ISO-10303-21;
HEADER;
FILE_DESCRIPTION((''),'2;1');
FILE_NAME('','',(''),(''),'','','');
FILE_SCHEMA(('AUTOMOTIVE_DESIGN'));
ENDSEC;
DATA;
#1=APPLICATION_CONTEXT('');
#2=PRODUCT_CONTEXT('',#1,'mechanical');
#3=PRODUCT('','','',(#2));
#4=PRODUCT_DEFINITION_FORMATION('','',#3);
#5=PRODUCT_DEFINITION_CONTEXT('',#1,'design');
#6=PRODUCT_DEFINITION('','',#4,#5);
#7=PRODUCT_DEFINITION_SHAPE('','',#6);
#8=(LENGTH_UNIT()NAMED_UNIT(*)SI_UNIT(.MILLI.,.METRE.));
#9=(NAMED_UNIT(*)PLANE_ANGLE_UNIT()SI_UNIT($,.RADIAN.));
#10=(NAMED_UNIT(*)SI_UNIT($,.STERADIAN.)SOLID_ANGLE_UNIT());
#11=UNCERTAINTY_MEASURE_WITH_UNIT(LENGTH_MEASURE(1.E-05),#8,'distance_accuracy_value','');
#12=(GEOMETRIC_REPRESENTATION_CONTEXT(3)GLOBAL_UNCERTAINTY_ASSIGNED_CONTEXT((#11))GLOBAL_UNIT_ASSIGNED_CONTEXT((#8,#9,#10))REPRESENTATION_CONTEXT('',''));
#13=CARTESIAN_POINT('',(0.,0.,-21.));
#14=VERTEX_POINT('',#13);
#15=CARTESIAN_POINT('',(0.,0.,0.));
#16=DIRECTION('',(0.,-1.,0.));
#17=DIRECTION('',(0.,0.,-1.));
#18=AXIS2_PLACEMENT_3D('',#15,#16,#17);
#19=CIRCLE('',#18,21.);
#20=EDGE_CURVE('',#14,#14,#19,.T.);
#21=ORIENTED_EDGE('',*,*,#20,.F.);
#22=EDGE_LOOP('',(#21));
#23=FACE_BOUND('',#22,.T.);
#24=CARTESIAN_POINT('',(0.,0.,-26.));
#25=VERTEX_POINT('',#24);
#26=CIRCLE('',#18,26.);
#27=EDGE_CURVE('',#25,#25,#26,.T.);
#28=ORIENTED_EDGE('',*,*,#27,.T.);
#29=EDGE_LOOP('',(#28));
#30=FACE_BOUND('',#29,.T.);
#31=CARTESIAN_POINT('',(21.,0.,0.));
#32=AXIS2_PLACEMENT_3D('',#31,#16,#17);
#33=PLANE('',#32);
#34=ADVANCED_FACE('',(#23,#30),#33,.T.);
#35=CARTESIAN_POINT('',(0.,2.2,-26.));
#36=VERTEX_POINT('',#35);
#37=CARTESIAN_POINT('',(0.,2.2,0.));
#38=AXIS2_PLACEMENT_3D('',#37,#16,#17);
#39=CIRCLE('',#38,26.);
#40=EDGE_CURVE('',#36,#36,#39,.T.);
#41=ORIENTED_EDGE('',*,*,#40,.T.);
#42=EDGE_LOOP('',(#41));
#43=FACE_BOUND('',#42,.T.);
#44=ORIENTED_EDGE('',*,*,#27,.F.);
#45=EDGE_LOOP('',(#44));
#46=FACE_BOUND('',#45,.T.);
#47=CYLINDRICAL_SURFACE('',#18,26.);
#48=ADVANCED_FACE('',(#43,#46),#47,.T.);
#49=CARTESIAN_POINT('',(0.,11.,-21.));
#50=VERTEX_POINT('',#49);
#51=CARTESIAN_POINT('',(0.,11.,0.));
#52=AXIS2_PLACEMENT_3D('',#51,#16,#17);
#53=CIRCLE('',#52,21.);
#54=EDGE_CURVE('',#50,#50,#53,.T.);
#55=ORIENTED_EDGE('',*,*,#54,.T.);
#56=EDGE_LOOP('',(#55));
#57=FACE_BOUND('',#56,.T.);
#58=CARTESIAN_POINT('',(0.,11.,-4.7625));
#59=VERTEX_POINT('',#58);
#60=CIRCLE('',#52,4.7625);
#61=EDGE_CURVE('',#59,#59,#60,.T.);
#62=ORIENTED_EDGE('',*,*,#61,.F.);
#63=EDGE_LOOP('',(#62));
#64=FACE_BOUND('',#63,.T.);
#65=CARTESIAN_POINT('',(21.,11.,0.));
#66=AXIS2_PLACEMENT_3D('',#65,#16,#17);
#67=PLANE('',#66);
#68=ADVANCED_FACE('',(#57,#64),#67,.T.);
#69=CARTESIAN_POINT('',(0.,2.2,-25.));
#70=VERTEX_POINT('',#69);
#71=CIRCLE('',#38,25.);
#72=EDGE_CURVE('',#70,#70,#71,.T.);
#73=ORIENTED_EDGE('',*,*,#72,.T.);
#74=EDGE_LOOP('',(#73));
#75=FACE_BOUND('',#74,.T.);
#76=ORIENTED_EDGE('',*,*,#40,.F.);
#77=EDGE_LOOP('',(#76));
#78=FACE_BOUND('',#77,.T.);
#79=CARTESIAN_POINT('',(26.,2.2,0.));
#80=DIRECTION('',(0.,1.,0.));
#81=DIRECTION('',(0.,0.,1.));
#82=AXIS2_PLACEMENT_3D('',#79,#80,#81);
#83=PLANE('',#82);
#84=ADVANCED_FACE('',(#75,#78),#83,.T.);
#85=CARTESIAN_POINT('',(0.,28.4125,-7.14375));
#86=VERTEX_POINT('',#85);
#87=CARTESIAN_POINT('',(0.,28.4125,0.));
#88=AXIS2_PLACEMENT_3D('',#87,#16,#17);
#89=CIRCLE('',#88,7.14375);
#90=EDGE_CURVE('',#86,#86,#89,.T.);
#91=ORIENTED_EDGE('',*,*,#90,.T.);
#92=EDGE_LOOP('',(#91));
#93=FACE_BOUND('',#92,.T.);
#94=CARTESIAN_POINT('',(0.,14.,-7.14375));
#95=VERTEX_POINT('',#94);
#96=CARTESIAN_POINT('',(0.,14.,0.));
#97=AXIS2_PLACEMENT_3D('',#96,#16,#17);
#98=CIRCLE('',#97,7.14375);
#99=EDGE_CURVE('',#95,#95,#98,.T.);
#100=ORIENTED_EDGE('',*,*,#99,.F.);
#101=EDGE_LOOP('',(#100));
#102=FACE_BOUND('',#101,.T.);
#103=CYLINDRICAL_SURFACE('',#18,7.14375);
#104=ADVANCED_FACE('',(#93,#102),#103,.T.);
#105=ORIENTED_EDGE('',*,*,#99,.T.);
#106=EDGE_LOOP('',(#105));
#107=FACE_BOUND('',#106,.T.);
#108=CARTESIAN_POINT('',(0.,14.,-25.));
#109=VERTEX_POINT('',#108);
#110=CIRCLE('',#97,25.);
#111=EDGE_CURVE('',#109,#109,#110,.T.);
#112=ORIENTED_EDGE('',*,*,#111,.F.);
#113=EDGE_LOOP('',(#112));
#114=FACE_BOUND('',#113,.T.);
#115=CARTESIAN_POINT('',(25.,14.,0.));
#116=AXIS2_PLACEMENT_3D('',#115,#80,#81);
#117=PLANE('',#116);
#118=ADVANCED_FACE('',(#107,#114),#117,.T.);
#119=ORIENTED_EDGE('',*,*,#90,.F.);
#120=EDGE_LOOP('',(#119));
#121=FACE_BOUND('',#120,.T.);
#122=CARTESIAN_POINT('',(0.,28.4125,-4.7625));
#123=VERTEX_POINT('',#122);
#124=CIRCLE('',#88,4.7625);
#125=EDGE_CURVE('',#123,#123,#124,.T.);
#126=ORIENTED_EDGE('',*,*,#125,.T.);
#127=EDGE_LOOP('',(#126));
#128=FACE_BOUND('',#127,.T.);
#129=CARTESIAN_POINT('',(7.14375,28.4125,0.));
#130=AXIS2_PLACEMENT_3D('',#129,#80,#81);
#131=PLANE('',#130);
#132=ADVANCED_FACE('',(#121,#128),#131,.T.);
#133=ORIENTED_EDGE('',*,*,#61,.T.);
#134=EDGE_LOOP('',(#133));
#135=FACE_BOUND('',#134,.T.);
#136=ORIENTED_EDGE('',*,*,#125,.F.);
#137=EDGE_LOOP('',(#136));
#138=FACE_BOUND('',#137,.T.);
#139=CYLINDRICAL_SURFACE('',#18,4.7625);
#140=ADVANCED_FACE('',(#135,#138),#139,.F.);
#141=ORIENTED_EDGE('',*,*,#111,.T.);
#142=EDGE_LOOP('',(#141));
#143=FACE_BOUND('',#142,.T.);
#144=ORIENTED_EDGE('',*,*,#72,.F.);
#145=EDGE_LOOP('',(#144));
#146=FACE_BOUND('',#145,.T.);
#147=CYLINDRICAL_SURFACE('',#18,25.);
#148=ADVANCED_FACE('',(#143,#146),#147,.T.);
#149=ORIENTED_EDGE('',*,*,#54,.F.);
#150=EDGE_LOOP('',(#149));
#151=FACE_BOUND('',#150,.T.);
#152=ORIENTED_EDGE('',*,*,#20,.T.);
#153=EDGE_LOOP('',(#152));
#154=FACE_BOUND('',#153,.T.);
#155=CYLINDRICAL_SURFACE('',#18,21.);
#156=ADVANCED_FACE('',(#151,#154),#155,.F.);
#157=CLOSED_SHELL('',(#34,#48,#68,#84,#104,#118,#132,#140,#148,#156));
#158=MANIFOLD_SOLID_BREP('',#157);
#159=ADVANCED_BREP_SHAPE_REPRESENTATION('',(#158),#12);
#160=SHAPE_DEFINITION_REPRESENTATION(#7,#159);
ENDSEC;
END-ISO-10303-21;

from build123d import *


with BuildPart() as part:
    # Sketch1 → Revolve1 (revolve)
    with BuildSketch(Plane.XY):
        Polygon((26, 2.2), (25, 2.2), (25, 14), (7.14375, 14), (7.14375, 28.4125), (4.7625, 28.4125), (4.7625, 11), (21, 11), (21, 0), (26, 0), align=None)
    revolve(axis=Axis((0, 0, 0), (0, 1, 0)))


solid = part.part
